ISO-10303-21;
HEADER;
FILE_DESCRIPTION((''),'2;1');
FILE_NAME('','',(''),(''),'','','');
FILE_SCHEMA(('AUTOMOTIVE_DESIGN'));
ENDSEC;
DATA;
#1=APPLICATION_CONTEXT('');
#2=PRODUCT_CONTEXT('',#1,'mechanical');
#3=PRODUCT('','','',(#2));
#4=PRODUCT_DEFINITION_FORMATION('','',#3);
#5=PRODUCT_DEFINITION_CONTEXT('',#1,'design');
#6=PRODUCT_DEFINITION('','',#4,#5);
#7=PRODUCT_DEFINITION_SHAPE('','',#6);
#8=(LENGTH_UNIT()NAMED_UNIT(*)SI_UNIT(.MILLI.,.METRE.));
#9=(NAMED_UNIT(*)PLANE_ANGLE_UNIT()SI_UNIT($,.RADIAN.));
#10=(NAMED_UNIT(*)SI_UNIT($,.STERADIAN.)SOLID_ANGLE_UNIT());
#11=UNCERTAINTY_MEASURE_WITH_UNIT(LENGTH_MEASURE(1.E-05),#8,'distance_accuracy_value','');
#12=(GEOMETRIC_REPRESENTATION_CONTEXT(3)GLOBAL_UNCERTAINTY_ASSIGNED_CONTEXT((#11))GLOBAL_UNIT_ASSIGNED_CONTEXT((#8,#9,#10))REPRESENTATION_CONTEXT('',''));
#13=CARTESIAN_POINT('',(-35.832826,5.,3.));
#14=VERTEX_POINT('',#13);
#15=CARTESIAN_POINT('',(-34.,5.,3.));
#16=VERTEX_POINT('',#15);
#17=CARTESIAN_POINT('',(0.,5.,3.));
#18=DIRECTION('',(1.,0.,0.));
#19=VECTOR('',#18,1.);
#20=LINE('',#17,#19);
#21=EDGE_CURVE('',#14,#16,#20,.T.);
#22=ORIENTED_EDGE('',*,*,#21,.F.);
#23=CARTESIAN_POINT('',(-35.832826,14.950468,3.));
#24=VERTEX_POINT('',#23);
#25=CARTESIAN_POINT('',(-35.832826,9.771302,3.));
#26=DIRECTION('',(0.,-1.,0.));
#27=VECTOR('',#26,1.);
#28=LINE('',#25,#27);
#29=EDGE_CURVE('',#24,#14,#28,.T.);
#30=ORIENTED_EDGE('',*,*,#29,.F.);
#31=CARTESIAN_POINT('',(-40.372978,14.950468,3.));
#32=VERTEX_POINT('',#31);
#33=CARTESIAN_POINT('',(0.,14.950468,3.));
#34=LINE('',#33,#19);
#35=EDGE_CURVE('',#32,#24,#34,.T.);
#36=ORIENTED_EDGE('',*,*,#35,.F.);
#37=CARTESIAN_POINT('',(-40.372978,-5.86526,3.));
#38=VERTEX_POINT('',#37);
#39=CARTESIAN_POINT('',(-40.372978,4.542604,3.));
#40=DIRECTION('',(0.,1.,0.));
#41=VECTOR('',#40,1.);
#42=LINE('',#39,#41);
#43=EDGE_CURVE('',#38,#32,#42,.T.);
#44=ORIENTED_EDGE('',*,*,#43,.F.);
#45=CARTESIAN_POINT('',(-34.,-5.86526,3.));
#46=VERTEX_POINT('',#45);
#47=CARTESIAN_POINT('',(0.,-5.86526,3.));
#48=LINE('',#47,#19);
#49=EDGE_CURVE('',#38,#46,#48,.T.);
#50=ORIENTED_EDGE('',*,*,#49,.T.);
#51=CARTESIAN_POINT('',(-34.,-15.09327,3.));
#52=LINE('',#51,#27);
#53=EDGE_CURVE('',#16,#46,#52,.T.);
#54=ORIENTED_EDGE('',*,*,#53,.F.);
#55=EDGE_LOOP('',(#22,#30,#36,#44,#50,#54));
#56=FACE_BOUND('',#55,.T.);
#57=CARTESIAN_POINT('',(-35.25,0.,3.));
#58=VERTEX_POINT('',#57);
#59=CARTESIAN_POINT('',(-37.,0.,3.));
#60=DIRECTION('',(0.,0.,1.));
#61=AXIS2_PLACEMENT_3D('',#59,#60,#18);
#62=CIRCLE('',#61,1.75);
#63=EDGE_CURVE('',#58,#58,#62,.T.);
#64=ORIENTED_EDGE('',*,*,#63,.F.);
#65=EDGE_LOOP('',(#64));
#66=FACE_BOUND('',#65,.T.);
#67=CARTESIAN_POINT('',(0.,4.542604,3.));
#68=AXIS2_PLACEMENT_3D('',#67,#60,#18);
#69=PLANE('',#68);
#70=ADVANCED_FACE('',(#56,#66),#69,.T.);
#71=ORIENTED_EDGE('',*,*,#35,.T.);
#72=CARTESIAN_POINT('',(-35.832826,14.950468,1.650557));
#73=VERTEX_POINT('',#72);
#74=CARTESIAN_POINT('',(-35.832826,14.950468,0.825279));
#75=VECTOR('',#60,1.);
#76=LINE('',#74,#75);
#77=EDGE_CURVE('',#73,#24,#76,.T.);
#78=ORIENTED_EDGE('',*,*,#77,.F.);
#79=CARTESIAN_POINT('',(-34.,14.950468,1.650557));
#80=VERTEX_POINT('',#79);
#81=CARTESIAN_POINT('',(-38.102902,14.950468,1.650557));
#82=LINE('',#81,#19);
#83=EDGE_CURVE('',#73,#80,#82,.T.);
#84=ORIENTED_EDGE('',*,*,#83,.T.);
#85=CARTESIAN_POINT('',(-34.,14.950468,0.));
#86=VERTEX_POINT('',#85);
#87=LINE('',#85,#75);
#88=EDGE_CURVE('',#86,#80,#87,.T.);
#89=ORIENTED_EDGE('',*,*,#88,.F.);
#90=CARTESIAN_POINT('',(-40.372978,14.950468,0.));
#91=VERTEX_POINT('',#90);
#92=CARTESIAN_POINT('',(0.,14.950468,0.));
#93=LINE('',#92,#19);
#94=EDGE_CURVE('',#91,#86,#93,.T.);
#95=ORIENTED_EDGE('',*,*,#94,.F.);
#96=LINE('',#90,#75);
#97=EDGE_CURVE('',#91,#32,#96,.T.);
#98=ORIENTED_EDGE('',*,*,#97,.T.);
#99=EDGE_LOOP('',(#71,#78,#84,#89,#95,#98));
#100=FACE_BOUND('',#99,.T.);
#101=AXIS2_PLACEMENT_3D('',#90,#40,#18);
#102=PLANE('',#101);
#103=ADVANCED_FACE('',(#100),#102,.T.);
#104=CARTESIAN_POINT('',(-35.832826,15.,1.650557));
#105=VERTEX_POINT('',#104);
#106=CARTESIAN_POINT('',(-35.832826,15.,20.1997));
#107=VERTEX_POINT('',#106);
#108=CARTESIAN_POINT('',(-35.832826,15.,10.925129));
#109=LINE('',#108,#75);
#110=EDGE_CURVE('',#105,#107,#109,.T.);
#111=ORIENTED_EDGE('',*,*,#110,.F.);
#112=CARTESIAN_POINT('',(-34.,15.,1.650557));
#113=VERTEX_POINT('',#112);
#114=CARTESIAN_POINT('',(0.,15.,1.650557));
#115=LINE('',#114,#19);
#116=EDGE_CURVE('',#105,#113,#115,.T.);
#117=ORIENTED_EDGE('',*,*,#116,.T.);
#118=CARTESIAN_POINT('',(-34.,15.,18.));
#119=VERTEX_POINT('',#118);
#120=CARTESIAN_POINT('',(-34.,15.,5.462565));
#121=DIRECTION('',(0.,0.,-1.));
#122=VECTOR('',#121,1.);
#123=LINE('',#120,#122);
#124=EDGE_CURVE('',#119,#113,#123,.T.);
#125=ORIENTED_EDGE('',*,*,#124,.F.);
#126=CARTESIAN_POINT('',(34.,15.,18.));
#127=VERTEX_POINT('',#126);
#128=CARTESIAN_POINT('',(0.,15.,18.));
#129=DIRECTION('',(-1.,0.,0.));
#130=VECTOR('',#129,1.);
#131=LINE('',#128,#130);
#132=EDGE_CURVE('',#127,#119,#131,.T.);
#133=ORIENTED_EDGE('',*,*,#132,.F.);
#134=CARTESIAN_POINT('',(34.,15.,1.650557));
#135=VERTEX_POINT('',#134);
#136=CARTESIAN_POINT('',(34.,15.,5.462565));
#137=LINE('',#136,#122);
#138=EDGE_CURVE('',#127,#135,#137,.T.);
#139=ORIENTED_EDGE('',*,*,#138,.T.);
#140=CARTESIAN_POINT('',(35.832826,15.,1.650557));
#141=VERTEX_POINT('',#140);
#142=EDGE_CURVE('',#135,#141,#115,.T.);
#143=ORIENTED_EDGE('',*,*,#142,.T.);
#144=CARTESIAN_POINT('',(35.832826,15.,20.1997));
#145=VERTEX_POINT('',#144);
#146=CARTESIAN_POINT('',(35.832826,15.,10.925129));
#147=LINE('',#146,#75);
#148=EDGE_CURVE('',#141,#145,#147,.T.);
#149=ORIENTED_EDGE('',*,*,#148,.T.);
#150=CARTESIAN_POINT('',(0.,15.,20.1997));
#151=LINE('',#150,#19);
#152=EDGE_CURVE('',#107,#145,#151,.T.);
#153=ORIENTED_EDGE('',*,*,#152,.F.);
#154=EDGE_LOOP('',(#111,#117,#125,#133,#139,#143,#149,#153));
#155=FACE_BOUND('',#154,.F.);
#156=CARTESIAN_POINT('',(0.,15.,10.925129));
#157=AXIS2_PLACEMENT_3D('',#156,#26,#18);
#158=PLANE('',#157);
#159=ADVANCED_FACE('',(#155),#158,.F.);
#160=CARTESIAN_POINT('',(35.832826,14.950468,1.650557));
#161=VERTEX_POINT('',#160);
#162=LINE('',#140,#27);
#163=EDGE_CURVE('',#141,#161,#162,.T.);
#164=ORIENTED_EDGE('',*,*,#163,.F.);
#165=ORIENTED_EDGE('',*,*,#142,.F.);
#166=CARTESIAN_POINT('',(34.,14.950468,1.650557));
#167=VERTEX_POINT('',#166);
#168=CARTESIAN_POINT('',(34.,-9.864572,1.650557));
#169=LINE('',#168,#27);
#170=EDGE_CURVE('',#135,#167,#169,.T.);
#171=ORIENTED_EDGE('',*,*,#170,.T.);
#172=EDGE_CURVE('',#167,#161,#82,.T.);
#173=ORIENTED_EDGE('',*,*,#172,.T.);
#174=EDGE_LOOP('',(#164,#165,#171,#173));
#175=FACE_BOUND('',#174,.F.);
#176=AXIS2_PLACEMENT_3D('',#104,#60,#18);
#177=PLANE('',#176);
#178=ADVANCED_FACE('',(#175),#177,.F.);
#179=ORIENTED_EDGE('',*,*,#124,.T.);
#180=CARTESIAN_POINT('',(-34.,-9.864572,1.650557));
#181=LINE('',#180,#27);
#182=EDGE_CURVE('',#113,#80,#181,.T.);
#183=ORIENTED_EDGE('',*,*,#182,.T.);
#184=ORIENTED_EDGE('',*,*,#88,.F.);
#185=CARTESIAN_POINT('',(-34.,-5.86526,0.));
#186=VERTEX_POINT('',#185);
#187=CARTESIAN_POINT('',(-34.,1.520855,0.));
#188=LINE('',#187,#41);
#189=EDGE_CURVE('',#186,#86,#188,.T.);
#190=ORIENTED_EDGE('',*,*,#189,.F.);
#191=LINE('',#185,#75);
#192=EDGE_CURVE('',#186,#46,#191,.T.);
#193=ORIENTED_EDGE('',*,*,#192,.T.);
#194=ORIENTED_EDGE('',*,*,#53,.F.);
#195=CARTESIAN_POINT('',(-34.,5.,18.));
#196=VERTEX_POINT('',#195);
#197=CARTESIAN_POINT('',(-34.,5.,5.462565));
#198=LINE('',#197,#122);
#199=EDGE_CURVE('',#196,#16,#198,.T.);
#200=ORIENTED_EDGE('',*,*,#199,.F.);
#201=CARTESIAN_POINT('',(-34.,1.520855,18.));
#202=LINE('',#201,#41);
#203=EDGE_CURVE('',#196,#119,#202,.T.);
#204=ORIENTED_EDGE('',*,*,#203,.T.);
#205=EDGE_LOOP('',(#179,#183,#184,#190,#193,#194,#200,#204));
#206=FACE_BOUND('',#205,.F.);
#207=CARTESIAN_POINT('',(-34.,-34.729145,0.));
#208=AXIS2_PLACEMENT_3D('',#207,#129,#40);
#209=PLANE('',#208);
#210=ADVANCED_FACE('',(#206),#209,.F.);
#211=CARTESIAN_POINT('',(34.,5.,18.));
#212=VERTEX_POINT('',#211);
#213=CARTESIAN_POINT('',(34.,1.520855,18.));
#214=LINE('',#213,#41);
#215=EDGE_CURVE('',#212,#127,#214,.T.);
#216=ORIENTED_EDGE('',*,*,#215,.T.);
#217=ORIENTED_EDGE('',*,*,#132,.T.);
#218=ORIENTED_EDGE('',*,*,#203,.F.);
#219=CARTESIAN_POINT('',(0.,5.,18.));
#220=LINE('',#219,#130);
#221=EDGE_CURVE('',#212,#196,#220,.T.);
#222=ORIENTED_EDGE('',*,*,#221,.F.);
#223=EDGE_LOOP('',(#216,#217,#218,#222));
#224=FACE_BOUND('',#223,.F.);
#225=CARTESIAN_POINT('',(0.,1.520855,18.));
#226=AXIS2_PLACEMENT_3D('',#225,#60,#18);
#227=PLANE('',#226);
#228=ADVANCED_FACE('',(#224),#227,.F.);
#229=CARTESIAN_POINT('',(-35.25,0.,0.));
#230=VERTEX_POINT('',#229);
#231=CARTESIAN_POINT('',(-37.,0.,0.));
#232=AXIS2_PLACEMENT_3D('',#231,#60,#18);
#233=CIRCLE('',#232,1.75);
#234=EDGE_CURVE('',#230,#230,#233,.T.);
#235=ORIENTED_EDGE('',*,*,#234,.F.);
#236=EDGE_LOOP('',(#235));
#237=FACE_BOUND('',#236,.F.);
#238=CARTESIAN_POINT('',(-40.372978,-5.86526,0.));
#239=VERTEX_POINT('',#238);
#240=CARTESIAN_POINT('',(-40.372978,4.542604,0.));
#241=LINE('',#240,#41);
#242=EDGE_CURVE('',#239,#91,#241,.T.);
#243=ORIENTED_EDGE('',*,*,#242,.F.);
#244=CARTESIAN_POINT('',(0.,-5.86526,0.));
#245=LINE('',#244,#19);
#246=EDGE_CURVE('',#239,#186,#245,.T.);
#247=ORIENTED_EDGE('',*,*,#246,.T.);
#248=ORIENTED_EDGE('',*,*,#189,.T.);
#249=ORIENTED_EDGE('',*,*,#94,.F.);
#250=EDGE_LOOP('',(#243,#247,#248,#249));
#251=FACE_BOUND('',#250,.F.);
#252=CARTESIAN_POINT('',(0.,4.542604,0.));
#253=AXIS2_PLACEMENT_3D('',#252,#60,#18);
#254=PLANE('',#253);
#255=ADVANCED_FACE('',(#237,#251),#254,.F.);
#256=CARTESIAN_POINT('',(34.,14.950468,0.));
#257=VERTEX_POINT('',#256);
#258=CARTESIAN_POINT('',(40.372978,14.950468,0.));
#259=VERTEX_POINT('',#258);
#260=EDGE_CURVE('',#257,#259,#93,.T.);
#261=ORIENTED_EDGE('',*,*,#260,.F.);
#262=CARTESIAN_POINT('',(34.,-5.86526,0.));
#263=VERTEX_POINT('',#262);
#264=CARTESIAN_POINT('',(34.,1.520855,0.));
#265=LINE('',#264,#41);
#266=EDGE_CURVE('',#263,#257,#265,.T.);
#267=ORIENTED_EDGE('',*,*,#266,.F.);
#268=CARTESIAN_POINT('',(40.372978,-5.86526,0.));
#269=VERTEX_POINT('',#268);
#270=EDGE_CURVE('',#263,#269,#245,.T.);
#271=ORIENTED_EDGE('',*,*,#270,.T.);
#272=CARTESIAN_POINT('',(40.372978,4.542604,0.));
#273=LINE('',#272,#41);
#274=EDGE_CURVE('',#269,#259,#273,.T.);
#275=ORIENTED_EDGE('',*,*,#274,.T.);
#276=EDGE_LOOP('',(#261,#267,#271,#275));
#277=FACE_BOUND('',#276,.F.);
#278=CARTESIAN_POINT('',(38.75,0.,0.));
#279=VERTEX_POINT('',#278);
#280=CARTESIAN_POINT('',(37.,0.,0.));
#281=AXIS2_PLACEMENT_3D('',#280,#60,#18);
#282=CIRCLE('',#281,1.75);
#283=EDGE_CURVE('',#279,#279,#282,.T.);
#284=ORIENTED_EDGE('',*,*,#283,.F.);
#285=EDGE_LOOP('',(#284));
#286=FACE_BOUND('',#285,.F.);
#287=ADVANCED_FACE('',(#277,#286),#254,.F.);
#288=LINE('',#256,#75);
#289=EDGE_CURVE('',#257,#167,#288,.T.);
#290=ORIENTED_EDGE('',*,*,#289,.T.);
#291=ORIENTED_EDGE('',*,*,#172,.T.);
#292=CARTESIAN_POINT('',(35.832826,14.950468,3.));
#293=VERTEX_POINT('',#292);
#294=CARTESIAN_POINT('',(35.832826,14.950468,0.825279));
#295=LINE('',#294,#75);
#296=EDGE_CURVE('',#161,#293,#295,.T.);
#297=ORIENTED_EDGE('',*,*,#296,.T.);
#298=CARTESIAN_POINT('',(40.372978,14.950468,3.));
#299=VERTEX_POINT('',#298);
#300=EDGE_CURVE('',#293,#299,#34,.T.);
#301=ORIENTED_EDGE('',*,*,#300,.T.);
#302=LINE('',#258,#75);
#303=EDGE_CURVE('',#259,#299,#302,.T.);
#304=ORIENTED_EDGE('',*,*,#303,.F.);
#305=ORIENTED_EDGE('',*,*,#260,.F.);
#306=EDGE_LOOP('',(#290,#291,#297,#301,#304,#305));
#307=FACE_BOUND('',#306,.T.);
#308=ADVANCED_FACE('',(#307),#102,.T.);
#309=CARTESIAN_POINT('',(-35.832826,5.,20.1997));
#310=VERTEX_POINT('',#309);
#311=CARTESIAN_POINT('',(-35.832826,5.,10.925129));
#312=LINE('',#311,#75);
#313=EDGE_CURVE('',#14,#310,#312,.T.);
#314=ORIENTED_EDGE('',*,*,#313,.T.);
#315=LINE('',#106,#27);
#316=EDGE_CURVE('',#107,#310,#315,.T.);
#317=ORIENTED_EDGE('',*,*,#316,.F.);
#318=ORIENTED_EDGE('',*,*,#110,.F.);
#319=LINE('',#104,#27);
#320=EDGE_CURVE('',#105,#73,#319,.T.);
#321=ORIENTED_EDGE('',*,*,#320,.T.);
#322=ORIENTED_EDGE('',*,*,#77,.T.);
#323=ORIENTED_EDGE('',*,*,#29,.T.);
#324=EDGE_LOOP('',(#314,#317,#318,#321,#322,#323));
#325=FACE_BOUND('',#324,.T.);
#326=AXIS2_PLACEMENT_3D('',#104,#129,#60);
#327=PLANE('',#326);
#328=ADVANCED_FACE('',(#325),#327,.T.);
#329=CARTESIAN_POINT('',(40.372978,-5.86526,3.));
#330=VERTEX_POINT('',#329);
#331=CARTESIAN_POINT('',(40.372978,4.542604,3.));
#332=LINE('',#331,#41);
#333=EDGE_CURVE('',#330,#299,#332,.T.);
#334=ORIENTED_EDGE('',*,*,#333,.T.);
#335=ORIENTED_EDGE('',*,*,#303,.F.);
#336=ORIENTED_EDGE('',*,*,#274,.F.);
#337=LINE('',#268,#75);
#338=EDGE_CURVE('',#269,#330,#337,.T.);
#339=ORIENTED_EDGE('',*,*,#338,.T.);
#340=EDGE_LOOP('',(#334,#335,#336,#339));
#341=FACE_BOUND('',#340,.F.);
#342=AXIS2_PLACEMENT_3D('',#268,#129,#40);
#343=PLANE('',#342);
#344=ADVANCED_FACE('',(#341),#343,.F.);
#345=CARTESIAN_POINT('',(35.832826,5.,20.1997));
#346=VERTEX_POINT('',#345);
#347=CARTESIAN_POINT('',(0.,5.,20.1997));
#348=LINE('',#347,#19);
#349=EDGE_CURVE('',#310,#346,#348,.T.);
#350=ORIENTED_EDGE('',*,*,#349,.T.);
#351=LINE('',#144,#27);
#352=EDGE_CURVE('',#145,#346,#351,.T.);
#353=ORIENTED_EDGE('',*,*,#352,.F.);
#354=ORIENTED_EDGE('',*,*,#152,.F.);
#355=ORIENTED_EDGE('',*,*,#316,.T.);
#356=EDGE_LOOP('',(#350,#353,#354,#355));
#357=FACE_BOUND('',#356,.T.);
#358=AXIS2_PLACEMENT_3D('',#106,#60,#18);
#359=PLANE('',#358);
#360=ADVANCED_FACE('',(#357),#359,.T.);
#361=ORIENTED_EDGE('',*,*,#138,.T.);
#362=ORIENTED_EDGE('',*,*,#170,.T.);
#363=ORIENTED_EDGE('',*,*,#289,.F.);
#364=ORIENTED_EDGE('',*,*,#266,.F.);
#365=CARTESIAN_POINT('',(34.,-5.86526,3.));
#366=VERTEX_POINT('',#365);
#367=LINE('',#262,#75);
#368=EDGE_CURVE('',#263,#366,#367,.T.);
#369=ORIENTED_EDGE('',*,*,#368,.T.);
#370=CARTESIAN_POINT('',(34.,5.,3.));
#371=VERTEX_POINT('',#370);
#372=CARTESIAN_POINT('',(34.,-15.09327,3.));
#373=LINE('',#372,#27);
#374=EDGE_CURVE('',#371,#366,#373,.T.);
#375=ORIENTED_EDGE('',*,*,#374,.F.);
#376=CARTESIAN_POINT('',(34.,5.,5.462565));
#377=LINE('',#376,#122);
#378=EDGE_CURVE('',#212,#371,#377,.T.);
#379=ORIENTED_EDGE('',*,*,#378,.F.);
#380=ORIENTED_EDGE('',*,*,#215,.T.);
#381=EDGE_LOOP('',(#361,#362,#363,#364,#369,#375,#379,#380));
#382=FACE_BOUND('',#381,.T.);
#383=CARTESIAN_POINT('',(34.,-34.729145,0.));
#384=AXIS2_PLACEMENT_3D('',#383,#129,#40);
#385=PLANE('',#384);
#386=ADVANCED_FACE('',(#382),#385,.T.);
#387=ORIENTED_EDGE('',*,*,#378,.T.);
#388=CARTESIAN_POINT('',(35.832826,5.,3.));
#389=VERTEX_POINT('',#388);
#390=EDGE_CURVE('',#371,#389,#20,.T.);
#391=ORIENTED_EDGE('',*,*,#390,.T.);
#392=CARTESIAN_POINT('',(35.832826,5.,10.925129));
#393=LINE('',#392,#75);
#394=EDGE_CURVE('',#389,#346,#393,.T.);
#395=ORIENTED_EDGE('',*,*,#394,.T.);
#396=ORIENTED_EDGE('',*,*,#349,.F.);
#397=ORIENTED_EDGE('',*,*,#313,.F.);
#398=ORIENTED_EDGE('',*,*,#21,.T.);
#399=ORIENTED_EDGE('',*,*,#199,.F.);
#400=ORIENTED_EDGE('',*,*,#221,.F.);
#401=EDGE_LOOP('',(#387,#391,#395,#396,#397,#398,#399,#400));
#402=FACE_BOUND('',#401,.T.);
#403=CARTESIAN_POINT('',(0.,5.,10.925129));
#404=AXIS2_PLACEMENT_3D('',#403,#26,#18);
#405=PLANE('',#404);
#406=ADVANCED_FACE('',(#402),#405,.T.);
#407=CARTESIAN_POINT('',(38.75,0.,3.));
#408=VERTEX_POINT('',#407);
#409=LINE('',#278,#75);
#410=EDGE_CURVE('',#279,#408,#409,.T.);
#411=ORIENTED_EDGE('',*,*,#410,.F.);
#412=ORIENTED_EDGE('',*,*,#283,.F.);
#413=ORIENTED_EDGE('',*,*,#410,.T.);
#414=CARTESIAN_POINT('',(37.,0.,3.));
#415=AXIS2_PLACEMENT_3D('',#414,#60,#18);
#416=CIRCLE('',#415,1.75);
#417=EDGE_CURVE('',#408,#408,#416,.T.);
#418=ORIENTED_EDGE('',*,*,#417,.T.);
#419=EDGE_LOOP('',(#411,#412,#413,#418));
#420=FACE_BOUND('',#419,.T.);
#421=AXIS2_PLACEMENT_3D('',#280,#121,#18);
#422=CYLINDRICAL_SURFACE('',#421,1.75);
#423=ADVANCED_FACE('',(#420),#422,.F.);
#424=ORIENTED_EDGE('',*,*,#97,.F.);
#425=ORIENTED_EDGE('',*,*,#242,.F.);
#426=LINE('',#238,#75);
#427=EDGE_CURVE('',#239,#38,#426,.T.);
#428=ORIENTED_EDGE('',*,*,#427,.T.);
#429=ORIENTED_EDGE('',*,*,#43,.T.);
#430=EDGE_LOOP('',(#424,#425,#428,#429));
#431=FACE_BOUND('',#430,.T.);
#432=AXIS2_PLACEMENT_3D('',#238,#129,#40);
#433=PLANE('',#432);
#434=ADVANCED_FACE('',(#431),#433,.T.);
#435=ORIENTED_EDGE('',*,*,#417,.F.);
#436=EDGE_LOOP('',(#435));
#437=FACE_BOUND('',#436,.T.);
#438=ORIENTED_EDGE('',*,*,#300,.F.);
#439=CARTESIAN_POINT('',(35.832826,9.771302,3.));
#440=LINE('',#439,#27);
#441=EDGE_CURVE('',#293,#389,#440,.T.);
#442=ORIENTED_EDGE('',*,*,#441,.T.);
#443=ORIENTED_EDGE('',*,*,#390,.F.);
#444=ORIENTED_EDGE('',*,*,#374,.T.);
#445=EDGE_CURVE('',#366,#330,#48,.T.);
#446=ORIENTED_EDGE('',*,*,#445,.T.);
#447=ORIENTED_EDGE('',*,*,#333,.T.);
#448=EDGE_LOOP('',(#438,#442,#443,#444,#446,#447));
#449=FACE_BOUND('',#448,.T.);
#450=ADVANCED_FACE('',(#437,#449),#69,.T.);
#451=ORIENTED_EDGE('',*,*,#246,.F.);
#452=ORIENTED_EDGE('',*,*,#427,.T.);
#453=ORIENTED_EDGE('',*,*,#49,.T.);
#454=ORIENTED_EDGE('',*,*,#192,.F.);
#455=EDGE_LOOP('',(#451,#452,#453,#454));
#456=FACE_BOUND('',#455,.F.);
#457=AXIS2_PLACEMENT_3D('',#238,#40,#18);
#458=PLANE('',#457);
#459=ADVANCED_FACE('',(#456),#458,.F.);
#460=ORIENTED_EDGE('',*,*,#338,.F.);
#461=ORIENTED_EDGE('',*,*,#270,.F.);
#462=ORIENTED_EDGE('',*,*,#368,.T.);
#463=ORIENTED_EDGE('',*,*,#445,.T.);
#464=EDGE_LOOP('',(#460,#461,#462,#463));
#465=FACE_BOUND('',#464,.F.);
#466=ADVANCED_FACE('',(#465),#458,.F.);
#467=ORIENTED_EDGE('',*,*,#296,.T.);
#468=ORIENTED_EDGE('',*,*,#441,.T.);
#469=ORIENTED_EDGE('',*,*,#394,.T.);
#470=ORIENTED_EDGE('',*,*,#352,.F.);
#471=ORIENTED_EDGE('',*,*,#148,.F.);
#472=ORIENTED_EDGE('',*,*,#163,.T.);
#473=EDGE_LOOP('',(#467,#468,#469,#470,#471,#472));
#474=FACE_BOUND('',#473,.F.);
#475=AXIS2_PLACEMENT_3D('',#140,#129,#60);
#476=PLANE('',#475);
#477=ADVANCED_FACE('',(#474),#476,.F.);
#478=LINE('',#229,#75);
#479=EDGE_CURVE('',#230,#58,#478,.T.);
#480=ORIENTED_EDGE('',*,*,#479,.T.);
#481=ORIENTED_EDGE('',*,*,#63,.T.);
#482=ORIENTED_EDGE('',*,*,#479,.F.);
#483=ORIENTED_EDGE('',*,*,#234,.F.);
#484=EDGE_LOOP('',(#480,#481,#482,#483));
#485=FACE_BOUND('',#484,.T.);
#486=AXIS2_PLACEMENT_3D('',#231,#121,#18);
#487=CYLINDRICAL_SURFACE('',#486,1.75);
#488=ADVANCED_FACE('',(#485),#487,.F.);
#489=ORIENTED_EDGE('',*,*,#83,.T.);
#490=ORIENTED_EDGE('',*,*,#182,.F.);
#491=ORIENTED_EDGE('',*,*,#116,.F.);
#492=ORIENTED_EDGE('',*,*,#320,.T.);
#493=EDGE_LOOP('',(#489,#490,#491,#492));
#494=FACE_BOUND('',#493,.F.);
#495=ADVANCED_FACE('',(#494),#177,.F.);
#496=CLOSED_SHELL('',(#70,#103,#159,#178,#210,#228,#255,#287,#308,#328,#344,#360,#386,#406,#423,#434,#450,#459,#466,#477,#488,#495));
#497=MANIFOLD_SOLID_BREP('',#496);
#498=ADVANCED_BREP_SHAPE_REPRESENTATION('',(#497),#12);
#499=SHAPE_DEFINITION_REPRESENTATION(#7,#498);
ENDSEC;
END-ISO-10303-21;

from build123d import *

# Parameters (mm, degrees)
SKETCH001_W  = 68
SKETCH001_H  = 72.5
PAD001_DEPTH = 18
SKETCH002_W  = 71.665652
SKETCH002_H  = 18.549143
PAD002_DEPTH = 10
SKETCH_W     = 80.745956
SKETCH_H     = 20.815728
SKETCH_R     = 1.75
PAD_DEPTH    = 3


with BuildPart() as pad001:
    # Sketch001 → Pad001 (new body)
    with BuildSketch(Plane.XY):
        with Locations((0, 1.520855)):
            Rectangle(SKETCH001_W, SKETCH001_H)
    extrude(amount=PAD001_DEPTH)


with BuildPart() as pad002:
    # Sketch002 → Pad002 (new body)
    with BuildSketch(Plane.XZ.offset(-15)):
        with Locations((0, 10.925129)):
            Rectangle(SKETCH002_W, SKETCH002_H)
    extrude(amount=PAD002_DEPTH)


with BuildPart() as cut:
    # Sketch → Pad (new body)
    with BuildSketch(Plane.XY):
        with Locations((0, 4.542604)):
            Rectangle(SKETCH_W, SKETCH_H)
        with Locations((-37, 0)):
            Circle(SKETCH_R, mode=Mode.SUBTRACT)
        with Locations((37, 0)):
            Circle(SKETCH_R, mode=Mode.SUBTRACT)
    extrude(amount=PAD_DEPTH)

    # Fusion: union Pad002
    add(pad002.part)

    # Cut: cut Pad001
    add(pad001.part, mode=Mode.SUBTRACT)


solid = cut.part
